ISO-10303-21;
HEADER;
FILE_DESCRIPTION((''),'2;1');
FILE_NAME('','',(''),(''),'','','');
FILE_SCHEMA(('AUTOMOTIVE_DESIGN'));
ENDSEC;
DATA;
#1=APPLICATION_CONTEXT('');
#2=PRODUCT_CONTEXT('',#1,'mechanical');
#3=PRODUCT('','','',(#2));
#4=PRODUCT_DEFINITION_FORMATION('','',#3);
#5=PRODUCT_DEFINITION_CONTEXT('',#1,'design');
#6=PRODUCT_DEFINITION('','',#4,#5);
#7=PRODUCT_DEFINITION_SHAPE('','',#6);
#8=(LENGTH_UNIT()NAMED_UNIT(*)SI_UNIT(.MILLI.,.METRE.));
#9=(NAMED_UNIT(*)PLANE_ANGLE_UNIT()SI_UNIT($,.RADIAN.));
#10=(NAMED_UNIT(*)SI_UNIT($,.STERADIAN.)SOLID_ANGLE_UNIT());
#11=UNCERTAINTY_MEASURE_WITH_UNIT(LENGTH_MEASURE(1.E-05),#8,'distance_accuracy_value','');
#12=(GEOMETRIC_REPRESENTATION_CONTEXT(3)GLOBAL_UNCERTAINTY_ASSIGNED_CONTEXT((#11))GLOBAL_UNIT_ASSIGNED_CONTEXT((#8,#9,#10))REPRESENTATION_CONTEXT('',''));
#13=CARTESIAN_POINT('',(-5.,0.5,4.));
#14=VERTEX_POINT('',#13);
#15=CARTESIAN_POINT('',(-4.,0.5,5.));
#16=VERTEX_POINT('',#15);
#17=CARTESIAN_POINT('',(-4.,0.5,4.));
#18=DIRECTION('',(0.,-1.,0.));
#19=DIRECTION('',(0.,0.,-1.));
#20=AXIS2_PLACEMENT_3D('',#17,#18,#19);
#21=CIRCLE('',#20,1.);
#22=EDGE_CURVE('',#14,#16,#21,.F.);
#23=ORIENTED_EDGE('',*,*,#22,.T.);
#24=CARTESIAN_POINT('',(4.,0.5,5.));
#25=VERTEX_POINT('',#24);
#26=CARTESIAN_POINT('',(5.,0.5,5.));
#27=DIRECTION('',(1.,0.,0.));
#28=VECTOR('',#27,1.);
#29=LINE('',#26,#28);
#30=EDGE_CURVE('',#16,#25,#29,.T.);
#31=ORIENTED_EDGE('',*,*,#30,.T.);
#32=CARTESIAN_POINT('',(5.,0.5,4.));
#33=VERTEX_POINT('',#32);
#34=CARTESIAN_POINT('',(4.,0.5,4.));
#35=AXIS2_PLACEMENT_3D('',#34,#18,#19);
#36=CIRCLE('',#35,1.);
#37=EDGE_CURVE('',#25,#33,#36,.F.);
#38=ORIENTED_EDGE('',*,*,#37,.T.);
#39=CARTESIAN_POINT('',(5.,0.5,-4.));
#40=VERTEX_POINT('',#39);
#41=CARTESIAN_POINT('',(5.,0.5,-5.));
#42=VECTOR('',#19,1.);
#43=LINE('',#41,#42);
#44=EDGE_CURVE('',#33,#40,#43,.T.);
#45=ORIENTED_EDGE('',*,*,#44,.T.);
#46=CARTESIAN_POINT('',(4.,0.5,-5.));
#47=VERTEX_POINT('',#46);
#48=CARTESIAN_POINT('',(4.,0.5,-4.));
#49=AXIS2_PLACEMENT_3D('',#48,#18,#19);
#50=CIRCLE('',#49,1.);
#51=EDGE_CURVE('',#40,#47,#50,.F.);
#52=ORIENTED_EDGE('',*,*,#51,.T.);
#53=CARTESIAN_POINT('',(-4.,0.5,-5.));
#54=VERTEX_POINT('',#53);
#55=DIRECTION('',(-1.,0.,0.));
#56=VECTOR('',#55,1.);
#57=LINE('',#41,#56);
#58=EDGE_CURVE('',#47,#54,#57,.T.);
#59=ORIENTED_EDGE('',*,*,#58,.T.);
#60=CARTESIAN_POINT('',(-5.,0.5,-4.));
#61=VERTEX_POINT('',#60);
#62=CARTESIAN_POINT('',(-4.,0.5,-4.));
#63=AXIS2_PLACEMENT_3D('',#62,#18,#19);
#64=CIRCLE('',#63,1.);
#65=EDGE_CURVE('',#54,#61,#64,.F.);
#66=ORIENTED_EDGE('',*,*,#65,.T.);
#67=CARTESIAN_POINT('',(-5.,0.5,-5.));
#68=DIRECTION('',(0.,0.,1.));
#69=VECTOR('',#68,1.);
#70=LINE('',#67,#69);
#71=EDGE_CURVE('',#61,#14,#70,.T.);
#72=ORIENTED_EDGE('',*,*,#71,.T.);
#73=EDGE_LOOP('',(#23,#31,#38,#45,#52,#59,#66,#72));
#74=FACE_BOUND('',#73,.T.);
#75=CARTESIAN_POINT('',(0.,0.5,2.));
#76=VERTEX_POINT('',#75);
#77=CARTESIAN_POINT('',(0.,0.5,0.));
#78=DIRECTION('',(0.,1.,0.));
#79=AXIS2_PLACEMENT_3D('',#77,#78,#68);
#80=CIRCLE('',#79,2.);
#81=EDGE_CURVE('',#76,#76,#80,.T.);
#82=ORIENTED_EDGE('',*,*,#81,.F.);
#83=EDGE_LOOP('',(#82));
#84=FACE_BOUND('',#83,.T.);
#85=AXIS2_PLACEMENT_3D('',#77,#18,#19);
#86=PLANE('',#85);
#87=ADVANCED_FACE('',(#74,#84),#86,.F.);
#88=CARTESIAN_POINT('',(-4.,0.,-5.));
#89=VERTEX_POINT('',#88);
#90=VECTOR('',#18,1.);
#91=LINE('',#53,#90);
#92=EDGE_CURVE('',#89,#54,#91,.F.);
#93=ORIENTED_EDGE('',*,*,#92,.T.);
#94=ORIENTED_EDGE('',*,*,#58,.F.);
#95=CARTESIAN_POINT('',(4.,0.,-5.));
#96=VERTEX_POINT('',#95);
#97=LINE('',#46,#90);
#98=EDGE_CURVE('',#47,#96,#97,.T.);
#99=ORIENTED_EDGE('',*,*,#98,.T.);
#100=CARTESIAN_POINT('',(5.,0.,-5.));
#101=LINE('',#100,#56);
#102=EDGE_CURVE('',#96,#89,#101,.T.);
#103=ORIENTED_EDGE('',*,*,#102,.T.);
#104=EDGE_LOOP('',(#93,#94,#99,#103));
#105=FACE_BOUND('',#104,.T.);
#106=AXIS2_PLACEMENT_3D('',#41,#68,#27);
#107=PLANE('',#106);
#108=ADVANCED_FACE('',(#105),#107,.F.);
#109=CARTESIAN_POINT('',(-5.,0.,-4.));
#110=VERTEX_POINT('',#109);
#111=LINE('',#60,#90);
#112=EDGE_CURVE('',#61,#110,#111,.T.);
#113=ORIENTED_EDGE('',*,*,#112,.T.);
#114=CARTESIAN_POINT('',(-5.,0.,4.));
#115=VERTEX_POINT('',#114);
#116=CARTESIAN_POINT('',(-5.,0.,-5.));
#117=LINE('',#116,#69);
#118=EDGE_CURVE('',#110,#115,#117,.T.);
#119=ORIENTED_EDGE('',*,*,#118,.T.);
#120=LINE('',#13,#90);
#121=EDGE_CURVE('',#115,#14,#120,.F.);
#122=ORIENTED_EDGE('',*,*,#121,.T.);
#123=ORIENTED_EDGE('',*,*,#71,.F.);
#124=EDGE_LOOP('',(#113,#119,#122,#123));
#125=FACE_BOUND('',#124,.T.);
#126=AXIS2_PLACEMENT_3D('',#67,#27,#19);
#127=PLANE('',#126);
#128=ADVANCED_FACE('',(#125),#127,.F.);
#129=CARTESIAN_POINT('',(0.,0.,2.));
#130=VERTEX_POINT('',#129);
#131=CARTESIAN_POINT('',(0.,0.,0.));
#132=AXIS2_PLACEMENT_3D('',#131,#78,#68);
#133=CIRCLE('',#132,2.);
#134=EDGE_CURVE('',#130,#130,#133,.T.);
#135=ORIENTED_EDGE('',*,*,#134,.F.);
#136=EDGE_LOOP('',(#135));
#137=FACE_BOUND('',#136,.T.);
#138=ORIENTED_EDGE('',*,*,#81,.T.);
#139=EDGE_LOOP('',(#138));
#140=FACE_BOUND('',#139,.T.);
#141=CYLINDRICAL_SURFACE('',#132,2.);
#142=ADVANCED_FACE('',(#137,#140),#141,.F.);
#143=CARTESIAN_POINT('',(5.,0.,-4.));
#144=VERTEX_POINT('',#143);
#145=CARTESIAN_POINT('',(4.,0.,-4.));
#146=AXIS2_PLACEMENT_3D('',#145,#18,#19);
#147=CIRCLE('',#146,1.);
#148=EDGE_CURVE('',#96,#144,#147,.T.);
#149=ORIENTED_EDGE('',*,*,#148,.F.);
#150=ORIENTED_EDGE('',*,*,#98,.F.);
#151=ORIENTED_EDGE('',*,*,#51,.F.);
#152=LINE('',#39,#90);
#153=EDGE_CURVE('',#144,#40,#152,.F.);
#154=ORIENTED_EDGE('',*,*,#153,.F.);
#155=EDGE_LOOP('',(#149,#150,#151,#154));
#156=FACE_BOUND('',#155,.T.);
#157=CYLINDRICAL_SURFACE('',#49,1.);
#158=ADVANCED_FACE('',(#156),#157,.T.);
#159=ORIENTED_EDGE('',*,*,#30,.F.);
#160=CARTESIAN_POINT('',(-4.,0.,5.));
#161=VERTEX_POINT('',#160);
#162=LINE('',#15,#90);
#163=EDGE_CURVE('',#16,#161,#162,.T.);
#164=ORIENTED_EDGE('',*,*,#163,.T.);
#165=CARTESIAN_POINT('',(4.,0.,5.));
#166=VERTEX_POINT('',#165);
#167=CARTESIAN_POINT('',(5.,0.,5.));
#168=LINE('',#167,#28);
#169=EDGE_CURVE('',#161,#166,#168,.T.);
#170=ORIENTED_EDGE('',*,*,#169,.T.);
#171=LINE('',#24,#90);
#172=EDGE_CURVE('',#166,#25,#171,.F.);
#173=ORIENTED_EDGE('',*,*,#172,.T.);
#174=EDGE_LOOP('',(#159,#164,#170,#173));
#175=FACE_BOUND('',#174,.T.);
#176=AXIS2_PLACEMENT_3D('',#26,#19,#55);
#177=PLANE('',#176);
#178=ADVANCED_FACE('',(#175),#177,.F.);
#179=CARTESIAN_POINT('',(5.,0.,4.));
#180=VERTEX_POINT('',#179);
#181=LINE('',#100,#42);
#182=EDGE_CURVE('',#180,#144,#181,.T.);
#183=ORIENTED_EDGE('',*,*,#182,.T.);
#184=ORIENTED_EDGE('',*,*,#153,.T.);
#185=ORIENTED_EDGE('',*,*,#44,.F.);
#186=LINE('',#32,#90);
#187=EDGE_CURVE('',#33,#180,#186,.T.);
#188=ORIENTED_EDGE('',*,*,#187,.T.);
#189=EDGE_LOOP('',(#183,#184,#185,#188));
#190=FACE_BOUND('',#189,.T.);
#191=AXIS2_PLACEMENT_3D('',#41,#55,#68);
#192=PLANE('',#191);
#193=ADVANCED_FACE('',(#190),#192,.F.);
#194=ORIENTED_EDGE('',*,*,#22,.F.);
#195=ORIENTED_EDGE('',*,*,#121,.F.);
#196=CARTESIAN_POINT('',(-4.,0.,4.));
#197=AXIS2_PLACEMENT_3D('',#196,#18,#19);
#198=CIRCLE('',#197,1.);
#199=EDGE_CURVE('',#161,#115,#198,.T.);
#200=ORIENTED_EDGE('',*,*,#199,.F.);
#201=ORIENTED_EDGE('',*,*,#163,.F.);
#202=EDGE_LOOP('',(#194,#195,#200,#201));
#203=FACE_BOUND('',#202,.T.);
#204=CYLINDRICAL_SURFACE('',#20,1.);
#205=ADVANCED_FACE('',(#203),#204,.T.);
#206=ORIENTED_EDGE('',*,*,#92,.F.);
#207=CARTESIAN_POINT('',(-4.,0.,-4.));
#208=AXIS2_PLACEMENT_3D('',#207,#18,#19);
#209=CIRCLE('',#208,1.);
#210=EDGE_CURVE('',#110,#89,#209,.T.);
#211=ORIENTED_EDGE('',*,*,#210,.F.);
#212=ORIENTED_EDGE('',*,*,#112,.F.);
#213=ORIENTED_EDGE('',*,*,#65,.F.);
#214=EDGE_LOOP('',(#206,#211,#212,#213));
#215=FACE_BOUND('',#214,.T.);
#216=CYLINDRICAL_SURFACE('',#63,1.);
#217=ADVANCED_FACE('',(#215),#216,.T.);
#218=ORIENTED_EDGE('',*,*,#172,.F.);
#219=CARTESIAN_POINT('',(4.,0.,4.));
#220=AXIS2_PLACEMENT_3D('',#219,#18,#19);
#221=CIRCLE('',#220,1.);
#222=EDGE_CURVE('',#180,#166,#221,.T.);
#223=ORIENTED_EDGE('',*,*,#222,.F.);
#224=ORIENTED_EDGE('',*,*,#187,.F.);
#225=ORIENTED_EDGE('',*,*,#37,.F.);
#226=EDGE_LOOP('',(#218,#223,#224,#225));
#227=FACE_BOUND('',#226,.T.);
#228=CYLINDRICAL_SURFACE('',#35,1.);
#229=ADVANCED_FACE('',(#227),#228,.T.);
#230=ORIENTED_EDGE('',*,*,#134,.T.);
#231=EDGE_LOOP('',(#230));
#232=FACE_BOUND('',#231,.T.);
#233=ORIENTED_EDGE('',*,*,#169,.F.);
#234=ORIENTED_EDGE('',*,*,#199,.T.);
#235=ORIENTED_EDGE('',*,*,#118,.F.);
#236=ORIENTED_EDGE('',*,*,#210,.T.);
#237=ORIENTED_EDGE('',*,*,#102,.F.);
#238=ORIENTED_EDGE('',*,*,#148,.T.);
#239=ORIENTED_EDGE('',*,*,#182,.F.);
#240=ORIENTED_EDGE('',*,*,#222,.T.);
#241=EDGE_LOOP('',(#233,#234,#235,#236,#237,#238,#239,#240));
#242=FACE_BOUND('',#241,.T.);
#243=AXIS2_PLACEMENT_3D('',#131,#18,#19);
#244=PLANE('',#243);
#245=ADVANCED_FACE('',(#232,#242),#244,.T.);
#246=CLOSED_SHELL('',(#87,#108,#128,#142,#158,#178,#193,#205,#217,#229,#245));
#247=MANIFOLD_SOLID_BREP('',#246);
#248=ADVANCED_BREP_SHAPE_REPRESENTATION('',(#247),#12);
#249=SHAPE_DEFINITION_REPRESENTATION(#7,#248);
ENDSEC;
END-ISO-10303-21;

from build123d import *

# Parameters (mm, degrees)
SKETCH2_W           = 10
SKETCH2_H           = 10
BOSS_EXTRUDE1_DEPTH = 0.5
FILLET1_R           = 1
SKETCH3_R           = 2
CUT_EXTRUDE1_DEPTH  = 0.5


with BuildPart() as part:
    # Sketch2 → Boss-Extrude1 (new body)
    with BuildSketch(Plane(origin=(0, 0, 0), x_dir=(1, 0, 0), z_dir=(0, 1, 0))):
        Rectangle(SKETCH2_W, SKETCH2_H)
    extrude(amount=BOSS_EXTRUDE1_DEPTH)

    # Fillet1
    fillet1_edges = [part.edges().sort_by_distance(p)[0] for p in [
        (-5, 0.25, -5),
        (5, 0.25, -5),
        (5, 0.25, 5),
        (-5, 0.25, 5),
    ]]
    fillet(fillet1_edges, radius=FILLET1_R)

    # Sketch3 → Cut-Extrude1 (cut)
    with BuildSketch(Plane(origin=(0, 0.5, 0), x_dir=(1, 0, 0), z_dir=(0, 1, 0))):
        with Locations(Location((0, 0, 0), (0, 0, 270))):
            Circle(SKETCH3_R)
    extrude(amount=-CUT_EXTRUDE1_DEPTH, mode=Mode.SUBTRACT)


solid = part.part
